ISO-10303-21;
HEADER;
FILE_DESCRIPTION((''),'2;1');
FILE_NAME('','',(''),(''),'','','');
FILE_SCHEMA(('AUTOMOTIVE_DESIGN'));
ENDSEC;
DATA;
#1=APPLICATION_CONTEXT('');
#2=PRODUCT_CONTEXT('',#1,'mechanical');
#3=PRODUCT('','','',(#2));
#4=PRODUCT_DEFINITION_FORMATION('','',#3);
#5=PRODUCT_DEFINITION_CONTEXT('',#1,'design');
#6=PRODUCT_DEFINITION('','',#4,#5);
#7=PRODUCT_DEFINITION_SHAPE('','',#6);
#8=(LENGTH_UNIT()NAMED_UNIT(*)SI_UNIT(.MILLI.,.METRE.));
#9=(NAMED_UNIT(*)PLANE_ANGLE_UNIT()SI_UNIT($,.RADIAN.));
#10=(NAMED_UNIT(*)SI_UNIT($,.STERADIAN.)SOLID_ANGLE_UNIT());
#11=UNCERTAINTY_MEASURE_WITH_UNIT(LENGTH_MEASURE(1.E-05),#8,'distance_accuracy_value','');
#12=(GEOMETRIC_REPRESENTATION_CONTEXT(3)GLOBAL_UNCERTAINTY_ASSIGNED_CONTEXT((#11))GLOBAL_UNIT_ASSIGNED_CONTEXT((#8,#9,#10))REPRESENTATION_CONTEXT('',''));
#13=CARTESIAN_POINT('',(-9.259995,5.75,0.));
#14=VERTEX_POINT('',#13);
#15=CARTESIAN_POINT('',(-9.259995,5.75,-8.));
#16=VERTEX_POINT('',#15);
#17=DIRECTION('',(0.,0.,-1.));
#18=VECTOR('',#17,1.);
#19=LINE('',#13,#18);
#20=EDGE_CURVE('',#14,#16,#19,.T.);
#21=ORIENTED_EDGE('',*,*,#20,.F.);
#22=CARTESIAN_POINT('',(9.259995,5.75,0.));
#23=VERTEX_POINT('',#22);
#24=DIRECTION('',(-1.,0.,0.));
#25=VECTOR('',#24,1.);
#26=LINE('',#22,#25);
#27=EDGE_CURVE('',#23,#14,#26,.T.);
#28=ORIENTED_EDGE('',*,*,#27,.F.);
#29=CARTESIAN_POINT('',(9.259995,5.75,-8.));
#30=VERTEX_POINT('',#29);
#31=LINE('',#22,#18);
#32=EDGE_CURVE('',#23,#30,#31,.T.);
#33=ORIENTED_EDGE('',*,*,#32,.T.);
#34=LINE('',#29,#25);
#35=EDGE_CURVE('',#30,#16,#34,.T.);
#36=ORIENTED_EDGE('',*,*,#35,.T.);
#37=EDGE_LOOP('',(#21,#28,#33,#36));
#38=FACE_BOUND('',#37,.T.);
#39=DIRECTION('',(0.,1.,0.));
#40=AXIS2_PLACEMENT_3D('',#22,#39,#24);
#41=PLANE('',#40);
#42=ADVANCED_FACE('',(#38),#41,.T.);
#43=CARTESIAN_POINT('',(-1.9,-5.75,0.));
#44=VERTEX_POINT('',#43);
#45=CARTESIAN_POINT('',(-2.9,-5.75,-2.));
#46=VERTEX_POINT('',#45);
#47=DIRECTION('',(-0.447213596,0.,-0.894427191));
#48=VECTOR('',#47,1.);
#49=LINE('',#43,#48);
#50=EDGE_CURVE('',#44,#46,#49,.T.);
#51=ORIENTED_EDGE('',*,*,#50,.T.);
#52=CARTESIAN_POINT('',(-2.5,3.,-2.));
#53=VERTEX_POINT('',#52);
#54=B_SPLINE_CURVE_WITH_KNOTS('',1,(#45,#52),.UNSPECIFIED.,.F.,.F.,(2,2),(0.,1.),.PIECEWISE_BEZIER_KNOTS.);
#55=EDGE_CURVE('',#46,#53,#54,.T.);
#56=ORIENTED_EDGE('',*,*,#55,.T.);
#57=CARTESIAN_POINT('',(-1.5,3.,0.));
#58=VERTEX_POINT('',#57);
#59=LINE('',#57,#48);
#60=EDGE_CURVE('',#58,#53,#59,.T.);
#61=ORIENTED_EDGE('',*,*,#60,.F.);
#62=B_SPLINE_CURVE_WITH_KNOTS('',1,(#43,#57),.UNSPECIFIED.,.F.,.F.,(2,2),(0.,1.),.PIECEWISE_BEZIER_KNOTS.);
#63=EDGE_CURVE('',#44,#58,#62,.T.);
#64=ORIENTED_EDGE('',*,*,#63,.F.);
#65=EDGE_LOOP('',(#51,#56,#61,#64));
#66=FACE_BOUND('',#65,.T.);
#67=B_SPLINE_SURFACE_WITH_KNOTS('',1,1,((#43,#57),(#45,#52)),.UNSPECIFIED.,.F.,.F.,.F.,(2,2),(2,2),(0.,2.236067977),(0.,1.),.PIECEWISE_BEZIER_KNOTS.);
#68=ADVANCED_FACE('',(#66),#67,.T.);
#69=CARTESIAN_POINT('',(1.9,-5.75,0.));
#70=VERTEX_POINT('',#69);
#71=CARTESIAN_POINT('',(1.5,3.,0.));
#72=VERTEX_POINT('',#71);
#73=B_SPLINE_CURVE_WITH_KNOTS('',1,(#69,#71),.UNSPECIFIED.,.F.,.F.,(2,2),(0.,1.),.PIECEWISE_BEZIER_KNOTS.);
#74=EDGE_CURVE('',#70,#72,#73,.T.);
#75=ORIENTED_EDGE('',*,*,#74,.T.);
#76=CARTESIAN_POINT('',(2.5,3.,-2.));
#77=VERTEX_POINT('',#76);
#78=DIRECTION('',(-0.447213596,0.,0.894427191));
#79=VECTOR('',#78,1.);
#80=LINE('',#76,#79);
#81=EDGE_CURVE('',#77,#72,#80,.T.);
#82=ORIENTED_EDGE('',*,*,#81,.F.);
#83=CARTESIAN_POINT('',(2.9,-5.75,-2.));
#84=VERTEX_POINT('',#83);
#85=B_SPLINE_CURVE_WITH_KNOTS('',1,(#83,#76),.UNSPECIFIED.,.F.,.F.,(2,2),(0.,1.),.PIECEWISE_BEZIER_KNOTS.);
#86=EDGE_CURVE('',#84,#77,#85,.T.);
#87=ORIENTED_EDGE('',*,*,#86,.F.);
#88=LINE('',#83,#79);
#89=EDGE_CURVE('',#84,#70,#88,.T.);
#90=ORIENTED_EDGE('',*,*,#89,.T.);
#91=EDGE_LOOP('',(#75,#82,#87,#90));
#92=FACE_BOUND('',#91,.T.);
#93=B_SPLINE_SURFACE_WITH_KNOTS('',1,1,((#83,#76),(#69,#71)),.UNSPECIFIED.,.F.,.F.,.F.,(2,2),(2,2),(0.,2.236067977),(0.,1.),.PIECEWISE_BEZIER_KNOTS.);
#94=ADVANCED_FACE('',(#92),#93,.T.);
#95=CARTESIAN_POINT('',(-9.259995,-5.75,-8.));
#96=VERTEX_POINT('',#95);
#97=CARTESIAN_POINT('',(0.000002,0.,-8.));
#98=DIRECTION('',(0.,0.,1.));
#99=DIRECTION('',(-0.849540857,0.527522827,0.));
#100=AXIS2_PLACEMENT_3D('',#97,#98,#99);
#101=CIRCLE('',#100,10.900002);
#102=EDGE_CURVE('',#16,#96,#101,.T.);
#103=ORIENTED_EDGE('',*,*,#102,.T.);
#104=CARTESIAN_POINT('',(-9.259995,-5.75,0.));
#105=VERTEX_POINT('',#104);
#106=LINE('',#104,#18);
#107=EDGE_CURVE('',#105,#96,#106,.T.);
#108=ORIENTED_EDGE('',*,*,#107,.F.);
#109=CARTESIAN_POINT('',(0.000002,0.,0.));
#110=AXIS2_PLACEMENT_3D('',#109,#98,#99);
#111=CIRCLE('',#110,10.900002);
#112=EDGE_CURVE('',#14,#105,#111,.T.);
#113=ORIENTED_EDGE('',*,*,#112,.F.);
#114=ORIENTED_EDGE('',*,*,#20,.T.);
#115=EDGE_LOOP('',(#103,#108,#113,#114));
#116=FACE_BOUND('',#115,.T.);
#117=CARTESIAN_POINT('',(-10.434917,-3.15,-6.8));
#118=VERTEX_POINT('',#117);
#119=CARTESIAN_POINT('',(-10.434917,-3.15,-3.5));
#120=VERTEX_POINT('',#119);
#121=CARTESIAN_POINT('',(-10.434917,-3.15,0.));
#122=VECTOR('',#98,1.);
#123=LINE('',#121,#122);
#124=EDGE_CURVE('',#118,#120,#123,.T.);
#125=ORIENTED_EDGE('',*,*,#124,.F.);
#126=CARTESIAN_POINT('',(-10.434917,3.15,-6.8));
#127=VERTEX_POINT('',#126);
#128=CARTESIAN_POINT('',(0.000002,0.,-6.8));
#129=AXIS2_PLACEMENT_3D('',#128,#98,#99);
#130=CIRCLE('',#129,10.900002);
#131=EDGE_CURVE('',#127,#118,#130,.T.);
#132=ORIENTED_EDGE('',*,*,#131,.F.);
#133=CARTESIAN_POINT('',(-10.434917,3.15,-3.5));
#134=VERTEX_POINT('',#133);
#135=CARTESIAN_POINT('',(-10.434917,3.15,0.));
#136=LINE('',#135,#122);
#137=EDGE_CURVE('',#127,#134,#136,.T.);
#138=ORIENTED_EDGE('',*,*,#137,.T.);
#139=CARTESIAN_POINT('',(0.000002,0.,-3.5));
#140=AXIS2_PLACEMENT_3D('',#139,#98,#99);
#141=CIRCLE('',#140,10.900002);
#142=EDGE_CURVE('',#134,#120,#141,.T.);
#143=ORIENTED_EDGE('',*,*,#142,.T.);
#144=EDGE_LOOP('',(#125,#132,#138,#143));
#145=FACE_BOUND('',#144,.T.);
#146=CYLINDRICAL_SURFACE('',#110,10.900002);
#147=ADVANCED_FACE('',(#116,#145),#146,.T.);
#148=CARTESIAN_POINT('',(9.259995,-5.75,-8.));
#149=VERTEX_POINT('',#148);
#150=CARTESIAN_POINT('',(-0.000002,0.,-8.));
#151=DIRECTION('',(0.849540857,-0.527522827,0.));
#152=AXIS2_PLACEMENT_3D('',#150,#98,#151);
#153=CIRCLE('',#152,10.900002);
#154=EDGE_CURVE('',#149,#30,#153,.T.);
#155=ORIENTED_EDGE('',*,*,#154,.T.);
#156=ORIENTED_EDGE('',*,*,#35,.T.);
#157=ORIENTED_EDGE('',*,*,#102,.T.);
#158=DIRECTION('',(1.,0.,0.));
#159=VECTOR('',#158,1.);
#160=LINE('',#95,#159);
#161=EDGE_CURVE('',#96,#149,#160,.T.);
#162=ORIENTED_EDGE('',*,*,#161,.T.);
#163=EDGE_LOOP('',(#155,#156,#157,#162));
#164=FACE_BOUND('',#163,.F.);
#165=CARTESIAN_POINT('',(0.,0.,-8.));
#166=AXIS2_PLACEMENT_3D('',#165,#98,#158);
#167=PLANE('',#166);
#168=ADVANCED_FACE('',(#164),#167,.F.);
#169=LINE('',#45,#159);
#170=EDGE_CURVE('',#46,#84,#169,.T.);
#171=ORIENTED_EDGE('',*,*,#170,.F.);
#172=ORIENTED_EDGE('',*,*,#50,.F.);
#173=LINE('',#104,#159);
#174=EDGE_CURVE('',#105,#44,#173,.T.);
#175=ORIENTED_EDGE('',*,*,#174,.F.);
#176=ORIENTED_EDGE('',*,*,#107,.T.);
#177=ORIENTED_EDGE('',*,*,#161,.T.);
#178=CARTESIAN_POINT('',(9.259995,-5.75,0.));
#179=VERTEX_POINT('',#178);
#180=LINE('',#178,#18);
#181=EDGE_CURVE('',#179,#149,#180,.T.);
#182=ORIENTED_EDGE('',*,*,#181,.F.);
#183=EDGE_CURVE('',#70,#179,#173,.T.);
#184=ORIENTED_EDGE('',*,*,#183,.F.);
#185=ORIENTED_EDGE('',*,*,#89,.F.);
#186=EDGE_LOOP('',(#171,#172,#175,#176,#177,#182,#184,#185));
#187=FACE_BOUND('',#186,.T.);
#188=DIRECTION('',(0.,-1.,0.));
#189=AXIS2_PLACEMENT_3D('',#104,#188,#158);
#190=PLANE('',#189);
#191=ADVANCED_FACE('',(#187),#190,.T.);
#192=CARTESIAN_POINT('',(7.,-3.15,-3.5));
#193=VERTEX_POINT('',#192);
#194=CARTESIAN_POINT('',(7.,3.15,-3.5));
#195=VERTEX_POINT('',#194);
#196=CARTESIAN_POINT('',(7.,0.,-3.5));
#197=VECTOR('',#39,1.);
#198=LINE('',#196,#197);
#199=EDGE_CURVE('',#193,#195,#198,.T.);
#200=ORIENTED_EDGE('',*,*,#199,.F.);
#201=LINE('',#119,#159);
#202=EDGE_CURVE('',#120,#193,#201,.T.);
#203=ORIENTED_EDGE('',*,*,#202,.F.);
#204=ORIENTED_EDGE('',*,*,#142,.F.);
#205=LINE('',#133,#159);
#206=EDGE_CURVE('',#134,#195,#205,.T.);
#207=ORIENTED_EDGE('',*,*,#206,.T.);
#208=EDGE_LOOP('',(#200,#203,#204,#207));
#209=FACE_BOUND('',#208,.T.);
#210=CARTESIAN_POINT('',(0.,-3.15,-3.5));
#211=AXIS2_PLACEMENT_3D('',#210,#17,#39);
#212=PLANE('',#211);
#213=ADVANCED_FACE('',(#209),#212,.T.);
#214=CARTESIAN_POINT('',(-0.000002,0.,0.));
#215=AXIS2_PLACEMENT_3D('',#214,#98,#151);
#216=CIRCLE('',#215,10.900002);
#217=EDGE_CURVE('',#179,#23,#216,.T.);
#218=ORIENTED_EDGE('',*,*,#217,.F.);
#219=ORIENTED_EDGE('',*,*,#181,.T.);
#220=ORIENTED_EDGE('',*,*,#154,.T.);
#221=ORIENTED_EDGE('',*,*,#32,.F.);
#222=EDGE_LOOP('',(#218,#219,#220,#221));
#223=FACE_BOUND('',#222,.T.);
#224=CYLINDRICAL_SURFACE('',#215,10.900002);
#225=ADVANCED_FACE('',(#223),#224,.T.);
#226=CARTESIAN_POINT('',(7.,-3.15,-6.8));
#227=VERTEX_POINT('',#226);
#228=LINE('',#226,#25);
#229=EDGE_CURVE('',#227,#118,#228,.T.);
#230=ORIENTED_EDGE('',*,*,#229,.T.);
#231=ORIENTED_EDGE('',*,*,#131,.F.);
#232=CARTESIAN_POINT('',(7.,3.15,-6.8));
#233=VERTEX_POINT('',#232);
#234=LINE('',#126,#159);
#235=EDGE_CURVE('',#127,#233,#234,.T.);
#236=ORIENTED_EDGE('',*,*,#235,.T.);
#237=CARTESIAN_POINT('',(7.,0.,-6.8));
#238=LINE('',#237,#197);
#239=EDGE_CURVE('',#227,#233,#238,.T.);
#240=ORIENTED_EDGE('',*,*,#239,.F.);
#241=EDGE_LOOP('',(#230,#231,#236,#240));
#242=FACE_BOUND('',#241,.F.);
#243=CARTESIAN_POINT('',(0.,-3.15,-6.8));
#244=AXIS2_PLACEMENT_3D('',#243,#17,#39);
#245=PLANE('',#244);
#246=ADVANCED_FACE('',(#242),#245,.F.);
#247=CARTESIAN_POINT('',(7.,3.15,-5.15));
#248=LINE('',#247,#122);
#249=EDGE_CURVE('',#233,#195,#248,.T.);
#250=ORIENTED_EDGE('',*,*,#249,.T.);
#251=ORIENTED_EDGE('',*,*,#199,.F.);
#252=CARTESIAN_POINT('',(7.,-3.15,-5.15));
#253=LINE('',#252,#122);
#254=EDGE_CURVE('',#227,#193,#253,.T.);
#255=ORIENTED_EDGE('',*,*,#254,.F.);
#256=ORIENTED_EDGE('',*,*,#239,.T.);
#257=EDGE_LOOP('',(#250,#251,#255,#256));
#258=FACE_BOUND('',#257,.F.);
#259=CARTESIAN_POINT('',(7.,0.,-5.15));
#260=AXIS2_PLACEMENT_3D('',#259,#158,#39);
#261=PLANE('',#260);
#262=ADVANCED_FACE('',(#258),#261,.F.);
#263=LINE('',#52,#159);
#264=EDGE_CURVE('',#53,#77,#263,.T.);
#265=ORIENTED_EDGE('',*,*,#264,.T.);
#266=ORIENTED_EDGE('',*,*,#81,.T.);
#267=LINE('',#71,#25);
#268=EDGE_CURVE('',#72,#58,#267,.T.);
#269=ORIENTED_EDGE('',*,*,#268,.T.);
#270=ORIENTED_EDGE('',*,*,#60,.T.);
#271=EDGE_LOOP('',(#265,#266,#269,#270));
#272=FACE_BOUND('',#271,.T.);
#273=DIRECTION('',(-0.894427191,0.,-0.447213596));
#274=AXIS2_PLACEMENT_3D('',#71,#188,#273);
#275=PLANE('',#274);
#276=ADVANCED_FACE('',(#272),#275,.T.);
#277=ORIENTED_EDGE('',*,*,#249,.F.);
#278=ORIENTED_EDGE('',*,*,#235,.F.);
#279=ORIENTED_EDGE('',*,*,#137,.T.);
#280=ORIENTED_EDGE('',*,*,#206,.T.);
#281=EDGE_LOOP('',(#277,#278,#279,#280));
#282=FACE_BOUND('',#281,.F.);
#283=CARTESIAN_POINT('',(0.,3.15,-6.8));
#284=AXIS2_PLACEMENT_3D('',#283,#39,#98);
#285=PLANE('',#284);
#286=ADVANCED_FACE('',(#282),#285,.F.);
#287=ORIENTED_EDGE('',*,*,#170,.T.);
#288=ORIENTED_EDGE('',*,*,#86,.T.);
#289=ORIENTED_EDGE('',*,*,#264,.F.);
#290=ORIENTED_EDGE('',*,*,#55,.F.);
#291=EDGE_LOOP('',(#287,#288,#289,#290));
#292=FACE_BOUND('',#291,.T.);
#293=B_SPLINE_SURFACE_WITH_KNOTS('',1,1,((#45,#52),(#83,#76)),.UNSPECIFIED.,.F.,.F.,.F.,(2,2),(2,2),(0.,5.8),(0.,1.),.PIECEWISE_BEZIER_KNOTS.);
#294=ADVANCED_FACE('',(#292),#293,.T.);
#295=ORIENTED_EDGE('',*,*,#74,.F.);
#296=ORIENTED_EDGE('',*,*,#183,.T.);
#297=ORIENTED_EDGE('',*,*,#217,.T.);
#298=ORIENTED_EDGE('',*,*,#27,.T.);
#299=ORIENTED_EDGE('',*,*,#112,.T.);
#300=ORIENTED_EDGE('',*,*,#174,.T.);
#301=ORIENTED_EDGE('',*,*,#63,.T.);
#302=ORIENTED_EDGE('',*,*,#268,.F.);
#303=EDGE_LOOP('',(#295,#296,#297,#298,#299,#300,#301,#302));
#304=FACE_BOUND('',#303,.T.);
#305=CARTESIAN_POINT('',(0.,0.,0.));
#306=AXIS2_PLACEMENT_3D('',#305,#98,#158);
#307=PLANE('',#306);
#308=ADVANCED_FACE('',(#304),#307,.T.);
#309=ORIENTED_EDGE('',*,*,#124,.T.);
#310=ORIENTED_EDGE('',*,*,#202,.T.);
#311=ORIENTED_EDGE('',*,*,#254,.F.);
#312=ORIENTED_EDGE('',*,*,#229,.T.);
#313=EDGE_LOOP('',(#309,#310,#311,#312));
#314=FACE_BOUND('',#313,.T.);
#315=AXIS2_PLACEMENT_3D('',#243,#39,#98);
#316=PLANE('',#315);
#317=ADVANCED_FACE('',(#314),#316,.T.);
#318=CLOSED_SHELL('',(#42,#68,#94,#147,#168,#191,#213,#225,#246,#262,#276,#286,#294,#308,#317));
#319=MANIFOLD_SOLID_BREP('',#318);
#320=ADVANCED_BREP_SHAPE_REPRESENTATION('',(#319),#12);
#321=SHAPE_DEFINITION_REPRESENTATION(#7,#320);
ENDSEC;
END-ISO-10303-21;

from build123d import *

# Parameters (mm, degrees)
F1_DEPTH = 8
F6_W     = 6.3
F6_H     = 3.3
F7_DEPTH = 11.9
F8_DEPTH = 7


with BuildPart() as f1:
    # F0 (on Top) → F1 (new body)
    with BuildSketch(Plane.XY):
        with BuildLine():
            Line((9.259995, 5.75), (8.785642, 5.75))
            Line((8.785642, 5.75), (-8.785642, 5.75))
            Line((-8.785642, 5.75), (-9.259995, 5.75))
            ThreePointArc((-9.259995, 5.75), (-10.9, 0), (-9.259995, -5.75))
            Line((-9.259995, -5.75), (-8.785642, -5.75))
            Line((-8.785642, -5.75), (8.785642, -5.75))
            Line((8.785642, -5.75), (9.259995, -5.75))
            ThreePointArc((9.259995, -5.75), (10.9, 0), (9.259995, 5.75))
        make_face()
    extrude(amount=-F1_DEPTH)

    # F2 (on face) → F5 section 0
    with BuildSketch(Plane.XZ.offset(5.75)):
        Polygon((1.9, 0), (-1.9, 0), (-2.9, -2), (2.9, -2), align=None)
    # F4 (on offset) → F5 section 1
    with BuildSketch(Plane.XZ.offset(-3)):
        Polygon((2.5, -2), (1.5, 0), (-1.5, 0), (-2.5, -2), align=None)
    loft(mode=Mode.SUBTRACT)

    # F6 (on Right) → F7 (cut)
    with BuildSketch(Plane.YZ):
        with Locations((0, -5.15)):
            Rectangle(F6_W, F6_H)
    extrude(amount=-F7_DEPTH, mode=Mode.SUBTRACT)

    # F6 (on Right) → F8 (cut)
    with BuildSketch(Plane.YZ):
        with Locations((0, -5.15)):
            Rectangle(F6_W, F6_H)
    extrude(amount=F8_DEPTH, mode=Mode.SUBTRACT)


solid = f1.part
